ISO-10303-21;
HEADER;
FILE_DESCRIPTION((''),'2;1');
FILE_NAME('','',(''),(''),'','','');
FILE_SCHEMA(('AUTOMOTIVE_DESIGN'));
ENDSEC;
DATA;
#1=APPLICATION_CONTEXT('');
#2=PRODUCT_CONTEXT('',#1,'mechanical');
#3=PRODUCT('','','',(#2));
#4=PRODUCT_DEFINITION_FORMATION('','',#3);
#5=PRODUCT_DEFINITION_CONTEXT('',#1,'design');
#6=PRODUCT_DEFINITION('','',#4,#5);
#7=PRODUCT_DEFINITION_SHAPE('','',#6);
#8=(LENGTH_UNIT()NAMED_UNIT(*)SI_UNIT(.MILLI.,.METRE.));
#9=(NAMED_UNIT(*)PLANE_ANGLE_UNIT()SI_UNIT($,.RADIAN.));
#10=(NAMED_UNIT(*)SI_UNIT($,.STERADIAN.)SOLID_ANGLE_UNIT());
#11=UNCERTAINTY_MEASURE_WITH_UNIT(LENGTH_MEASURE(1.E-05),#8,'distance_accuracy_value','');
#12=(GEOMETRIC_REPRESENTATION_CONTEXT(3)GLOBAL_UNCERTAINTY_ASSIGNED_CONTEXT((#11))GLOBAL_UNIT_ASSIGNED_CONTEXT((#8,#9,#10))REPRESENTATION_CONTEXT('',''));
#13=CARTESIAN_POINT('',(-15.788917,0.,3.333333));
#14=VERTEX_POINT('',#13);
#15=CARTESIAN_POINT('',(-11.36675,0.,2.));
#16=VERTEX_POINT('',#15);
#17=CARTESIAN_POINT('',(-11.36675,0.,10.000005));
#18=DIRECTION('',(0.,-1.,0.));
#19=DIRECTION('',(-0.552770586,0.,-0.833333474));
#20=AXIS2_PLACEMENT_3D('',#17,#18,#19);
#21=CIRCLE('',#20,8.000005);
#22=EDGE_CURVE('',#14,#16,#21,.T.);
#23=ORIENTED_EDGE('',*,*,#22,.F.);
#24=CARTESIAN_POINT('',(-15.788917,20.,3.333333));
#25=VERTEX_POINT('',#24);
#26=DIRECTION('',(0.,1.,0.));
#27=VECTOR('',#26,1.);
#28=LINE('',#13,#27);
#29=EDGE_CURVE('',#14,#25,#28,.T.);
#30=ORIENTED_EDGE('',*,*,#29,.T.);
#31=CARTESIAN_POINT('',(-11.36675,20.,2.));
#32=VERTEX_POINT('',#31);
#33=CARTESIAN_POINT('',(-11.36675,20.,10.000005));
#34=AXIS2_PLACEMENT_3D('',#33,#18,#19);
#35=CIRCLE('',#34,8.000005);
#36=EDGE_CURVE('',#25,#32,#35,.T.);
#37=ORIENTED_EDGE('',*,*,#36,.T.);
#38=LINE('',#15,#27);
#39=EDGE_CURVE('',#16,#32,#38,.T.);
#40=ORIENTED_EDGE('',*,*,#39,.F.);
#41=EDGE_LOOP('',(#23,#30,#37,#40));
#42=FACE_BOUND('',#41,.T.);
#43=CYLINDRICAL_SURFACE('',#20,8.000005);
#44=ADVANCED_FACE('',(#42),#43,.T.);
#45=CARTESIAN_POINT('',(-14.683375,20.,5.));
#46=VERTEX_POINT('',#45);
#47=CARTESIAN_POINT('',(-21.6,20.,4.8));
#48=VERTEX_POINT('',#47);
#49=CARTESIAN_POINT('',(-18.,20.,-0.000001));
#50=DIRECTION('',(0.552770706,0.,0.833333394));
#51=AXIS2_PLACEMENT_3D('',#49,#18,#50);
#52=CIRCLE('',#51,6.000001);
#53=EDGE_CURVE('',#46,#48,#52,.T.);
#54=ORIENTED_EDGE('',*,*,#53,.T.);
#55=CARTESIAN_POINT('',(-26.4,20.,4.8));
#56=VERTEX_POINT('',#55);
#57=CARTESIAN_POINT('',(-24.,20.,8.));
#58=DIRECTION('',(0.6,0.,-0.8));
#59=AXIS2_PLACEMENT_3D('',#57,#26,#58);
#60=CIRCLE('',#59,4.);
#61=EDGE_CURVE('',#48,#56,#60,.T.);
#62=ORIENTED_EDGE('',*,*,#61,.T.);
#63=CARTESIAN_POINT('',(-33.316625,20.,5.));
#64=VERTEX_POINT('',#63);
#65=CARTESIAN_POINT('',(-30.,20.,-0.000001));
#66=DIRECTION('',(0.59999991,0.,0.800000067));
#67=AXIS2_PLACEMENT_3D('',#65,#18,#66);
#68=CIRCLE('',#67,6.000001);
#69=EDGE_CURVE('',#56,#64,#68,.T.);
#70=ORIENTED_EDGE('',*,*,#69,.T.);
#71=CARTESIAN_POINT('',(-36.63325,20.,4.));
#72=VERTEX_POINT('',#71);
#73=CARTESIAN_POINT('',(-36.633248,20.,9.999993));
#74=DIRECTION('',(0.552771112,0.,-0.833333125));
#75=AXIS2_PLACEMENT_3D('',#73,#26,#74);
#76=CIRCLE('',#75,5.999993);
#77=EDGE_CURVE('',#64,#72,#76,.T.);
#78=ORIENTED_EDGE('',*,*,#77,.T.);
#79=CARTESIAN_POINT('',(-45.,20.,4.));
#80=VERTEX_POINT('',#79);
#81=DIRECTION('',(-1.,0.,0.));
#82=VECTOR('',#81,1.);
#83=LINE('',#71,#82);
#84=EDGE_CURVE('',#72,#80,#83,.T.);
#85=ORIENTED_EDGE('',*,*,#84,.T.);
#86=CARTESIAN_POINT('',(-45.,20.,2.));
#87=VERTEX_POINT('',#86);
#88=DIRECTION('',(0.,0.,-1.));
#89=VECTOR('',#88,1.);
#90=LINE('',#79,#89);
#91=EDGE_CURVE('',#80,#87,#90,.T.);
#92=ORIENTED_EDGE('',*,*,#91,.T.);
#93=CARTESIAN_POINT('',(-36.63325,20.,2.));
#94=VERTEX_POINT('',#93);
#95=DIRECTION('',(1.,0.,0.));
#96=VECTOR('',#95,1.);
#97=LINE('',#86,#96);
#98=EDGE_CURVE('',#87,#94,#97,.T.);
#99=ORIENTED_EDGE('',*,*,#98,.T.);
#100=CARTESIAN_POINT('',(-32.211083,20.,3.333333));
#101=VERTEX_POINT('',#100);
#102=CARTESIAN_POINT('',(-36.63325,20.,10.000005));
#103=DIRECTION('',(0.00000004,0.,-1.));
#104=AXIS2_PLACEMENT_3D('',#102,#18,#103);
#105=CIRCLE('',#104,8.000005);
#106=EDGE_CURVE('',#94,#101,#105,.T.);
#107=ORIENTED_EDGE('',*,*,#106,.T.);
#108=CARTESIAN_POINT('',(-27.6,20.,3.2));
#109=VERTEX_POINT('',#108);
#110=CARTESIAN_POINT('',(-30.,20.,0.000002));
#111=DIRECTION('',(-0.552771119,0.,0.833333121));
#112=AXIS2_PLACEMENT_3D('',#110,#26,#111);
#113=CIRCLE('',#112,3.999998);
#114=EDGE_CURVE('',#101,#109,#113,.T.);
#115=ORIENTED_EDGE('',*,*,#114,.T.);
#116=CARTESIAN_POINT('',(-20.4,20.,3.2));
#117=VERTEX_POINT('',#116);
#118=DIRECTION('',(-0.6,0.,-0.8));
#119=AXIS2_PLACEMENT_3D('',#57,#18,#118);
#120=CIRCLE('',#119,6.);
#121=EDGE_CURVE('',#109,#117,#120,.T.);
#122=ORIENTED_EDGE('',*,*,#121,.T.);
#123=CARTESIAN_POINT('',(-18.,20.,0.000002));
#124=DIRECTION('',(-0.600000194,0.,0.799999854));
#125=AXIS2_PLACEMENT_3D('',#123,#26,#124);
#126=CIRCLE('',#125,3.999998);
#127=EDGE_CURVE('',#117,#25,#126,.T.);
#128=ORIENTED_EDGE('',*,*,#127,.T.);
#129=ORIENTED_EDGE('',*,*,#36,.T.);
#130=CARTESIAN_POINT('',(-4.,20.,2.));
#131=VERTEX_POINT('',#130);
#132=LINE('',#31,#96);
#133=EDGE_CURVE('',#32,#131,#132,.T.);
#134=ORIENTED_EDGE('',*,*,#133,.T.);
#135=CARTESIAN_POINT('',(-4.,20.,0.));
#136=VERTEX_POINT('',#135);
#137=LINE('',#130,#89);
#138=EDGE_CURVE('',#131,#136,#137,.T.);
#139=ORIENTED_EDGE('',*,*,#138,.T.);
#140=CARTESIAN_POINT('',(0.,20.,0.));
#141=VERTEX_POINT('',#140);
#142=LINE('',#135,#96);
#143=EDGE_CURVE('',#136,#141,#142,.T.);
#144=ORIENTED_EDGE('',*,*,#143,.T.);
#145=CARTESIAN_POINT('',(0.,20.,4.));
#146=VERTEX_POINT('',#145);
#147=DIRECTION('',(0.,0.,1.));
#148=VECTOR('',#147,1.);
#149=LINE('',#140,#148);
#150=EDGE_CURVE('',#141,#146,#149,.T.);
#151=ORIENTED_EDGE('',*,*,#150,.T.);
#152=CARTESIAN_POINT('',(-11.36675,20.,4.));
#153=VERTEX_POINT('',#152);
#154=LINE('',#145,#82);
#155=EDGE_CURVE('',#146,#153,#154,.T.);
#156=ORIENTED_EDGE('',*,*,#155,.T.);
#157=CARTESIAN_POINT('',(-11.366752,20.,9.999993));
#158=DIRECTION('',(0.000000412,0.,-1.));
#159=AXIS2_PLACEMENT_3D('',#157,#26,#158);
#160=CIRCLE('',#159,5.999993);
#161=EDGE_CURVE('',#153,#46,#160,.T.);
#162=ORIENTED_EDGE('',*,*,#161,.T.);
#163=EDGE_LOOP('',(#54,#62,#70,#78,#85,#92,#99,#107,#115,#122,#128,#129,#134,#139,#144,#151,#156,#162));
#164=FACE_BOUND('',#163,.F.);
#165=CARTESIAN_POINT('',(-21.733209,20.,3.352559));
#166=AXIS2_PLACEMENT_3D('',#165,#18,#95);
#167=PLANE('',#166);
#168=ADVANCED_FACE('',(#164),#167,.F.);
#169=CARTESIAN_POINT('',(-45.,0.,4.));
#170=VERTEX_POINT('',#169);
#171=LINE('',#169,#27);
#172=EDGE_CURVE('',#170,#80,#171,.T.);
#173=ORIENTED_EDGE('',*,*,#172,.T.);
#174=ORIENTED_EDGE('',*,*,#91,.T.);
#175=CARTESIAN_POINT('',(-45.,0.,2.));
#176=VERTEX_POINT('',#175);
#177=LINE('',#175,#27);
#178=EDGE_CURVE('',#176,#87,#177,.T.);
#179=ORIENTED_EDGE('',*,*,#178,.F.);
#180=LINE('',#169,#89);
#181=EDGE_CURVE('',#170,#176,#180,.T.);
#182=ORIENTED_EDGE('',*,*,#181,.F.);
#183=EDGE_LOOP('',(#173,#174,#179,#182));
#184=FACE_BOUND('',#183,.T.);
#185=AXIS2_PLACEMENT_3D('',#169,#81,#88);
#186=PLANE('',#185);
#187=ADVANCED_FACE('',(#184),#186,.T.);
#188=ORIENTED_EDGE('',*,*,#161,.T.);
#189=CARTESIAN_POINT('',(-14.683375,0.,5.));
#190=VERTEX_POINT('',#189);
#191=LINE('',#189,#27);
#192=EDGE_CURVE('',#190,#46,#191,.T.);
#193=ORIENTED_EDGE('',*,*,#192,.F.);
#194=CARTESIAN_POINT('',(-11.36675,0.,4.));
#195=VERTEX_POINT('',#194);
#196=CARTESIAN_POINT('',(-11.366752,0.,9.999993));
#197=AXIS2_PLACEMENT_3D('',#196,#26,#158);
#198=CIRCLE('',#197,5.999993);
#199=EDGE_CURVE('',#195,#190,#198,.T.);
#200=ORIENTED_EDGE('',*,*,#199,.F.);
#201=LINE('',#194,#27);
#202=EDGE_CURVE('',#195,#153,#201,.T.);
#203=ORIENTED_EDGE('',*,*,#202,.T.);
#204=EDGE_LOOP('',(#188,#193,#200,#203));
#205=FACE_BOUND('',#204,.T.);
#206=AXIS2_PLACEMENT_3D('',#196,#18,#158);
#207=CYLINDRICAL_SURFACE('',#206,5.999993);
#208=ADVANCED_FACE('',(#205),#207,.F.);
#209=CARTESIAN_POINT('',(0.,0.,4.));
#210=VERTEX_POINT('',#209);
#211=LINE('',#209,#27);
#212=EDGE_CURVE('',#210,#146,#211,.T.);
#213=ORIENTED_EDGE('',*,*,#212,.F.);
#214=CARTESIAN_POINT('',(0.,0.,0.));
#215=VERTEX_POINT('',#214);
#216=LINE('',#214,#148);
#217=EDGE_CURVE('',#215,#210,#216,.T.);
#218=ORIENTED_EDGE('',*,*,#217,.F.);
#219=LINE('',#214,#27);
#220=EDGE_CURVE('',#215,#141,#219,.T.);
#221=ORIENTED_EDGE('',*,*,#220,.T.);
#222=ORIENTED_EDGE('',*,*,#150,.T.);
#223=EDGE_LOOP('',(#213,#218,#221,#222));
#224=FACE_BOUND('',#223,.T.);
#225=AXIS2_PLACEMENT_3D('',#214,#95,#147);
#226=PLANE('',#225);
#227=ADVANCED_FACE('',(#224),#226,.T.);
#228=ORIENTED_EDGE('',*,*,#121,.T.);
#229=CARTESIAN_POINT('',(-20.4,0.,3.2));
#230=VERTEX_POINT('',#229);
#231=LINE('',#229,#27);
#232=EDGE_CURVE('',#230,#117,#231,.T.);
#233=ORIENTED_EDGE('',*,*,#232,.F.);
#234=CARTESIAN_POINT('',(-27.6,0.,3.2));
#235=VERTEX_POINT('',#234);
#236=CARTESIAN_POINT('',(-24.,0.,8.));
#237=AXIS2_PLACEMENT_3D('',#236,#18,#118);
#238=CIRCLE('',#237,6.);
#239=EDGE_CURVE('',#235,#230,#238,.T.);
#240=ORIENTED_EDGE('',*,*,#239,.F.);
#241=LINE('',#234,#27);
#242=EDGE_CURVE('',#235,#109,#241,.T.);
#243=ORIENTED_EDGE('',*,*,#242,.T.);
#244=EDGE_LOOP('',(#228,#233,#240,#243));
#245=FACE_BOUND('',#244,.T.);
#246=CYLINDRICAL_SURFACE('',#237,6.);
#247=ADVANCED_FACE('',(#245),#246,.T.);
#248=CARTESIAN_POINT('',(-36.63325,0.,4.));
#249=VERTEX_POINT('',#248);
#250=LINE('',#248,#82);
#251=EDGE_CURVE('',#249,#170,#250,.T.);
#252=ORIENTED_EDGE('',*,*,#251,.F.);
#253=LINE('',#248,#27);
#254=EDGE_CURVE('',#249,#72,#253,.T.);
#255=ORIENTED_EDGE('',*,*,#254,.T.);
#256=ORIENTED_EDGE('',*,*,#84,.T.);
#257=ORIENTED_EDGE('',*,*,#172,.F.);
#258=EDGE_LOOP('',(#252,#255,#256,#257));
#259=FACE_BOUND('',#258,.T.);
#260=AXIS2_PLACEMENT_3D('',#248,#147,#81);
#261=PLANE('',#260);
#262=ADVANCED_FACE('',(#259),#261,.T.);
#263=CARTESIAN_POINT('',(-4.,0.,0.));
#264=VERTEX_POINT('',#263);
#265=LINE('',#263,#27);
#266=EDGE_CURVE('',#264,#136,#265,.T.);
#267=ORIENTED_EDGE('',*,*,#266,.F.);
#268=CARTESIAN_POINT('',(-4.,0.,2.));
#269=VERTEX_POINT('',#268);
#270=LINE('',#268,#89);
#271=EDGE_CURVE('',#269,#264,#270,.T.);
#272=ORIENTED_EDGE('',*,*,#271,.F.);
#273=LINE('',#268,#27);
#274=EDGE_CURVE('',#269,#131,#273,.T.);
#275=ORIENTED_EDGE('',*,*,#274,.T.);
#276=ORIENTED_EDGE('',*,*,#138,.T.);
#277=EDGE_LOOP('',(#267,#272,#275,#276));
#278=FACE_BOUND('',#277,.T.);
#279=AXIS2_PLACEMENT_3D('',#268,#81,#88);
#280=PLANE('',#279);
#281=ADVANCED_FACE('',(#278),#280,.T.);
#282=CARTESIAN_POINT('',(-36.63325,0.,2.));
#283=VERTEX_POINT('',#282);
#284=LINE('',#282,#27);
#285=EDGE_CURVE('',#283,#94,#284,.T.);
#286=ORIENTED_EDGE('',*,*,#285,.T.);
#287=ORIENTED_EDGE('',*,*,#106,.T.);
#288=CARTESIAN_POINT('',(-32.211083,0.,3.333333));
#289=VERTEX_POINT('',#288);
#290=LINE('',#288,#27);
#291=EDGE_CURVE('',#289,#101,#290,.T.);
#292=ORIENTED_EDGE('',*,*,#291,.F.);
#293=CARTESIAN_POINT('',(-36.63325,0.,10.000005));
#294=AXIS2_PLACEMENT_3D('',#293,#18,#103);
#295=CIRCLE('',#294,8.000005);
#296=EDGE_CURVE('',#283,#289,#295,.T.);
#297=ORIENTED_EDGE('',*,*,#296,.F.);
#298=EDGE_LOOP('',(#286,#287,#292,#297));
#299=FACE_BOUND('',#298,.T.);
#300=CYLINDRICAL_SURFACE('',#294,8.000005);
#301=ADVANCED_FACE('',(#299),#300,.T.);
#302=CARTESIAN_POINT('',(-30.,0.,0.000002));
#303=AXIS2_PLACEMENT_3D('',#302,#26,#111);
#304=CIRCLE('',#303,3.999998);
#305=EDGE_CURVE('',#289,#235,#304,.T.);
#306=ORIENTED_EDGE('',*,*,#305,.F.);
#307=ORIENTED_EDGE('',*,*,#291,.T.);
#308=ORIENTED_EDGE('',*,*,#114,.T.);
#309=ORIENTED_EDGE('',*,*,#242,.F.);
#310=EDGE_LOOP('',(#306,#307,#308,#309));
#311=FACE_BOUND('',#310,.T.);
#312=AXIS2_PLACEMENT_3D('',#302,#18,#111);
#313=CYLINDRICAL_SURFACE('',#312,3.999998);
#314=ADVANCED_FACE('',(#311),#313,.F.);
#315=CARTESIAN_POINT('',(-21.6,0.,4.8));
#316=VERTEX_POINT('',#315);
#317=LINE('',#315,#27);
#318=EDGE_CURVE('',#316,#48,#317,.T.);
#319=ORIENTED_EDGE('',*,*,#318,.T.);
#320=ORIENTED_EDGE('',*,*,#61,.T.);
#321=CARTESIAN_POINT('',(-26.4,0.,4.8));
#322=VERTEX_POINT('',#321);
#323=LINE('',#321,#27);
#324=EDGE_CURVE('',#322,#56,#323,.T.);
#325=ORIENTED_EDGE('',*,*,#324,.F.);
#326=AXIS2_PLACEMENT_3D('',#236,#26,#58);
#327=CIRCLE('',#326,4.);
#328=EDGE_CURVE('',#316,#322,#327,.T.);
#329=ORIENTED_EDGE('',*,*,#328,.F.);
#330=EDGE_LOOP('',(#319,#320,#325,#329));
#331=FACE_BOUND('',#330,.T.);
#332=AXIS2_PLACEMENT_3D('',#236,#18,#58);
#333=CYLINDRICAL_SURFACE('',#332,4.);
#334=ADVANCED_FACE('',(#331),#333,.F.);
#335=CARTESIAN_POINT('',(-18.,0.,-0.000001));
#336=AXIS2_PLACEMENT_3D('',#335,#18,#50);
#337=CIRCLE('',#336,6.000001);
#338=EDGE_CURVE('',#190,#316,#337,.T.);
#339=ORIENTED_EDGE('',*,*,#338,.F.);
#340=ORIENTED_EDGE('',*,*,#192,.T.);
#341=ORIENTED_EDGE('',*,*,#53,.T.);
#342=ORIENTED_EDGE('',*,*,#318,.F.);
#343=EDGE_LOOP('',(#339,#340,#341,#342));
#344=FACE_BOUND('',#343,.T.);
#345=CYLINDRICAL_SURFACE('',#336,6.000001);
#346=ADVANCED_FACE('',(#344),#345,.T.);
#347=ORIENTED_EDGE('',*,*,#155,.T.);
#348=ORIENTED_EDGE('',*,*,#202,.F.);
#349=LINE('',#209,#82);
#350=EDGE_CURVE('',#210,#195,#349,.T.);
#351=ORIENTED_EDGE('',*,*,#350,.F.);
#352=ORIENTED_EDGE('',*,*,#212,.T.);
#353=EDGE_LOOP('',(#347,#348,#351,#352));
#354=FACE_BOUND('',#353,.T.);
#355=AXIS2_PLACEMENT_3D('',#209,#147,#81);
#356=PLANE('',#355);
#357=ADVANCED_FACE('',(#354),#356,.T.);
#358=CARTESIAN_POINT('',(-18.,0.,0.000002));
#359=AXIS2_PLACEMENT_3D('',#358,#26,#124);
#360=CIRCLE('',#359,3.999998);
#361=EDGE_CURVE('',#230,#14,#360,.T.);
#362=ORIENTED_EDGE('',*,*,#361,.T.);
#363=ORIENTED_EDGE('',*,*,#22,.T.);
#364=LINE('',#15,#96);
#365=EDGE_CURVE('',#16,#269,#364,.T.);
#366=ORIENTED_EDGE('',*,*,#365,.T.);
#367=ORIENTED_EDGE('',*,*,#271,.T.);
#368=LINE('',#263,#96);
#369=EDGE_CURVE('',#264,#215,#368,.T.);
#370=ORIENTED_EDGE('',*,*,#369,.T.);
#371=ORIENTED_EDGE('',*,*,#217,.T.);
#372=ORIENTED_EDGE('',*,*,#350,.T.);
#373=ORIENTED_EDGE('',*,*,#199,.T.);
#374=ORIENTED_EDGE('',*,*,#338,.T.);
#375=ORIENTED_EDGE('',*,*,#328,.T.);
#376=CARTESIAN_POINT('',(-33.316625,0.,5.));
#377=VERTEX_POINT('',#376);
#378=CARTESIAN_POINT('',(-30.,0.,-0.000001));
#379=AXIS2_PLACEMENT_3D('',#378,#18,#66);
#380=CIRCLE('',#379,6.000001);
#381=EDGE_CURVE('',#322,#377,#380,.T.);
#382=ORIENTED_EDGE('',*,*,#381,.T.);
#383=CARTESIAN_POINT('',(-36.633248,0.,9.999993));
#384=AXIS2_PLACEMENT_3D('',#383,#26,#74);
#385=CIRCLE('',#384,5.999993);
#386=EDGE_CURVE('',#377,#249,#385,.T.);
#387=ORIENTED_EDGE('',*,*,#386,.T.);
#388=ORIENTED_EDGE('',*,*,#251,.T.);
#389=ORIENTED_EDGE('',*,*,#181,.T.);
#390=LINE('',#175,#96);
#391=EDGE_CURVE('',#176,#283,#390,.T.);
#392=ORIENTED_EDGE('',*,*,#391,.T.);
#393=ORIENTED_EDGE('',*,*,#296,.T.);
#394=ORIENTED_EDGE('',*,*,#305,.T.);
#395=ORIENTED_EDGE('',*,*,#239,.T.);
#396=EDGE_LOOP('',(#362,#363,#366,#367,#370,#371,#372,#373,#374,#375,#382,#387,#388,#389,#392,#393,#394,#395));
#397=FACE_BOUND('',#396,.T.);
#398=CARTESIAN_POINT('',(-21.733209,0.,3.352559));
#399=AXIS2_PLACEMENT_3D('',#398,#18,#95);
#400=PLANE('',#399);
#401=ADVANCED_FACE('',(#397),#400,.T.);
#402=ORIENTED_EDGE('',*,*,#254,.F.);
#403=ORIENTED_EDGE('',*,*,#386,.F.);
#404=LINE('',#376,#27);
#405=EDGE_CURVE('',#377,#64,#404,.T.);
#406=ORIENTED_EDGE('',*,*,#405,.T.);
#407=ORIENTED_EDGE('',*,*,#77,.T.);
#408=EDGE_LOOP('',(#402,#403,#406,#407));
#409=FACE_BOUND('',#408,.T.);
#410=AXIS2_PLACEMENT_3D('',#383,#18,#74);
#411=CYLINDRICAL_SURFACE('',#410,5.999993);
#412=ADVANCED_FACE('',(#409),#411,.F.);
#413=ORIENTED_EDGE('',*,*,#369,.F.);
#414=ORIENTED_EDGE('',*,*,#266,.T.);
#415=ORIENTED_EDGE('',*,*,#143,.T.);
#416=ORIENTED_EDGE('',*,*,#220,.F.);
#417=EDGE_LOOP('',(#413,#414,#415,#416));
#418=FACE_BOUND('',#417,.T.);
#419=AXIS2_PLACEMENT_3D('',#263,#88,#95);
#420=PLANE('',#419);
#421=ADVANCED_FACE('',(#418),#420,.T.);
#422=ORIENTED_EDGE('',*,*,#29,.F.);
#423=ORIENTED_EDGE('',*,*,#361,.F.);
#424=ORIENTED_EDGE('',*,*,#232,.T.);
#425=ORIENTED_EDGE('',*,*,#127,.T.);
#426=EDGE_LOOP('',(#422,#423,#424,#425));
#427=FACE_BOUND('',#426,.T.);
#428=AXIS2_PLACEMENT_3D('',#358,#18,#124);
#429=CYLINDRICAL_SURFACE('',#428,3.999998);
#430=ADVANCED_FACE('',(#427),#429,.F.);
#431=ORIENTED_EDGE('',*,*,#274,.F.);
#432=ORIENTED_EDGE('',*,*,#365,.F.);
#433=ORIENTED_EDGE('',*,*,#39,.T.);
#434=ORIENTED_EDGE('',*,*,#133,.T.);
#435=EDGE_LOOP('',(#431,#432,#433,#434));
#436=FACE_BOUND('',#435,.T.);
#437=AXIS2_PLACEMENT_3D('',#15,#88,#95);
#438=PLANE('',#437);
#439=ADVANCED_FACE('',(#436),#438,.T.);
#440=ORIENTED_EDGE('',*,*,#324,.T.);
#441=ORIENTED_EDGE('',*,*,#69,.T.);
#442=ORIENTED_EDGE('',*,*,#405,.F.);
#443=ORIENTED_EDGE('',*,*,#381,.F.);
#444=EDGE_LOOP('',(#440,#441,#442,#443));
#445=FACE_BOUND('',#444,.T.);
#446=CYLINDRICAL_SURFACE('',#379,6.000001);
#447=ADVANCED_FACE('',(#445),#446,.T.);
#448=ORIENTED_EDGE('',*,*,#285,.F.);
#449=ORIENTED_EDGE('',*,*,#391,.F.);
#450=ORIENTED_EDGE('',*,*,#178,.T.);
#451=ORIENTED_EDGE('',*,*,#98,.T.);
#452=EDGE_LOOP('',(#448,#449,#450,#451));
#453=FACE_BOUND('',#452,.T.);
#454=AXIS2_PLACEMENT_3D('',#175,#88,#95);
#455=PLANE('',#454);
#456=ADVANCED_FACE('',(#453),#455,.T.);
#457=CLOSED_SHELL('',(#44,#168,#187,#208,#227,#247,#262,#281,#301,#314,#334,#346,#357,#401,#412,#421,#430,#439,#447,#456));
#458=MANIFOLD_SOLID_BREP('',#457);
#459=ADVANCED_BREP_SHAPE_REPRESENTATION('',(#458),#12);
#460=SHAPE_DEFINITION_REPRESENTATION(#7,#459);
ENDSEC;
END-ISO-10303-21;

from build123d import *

# Parameters (mm, degrees)
F1_DEPTH = 20


with BuildPart() as f1:
    # F0 (on Front) → F1 (new body)
    with BuildSketch(Plane.XZ):
        with BuildLine():
            ThreePointArc((-21.6, 4.8), (-24, 4), (-26.4, 4.8))
            ThreePointArc((-26.4, 4.8), (-29.826577, 5.997493), (-33.316625, 5))
            ThreePointArc((-33.316625, 5), (-34.901199, 4.255437), (-36.63325, 4))
            Line((-36.63325, 4), (-45, 4))
            Line((-45, 4), (-45, 2))
            Line((-45, 2), (-36.63325, 2))
            ThreePointArc((-36.63325, 2), (-34.323849, 2.340583), (-32.211083, 3.333333))
            ThreePointArc((-32.211083, 3.333333), (-29.884385, 3.998329), (-27.6, 3.2))
            ThreePointArc((-27.6, 3.2), (-24, 2), (-20.4, 3.2))
            ThreePointArc((-20.4, 3.2), (-18.115615, 3.998329), (-15.788917, 3.333333))
            ThreePointArc((-15.788917, 3.333333), (-13.676151, 2.340583), (-11.36675, 2))
            Line((-11.36675, 2), (-4, 2))
            Line((-4, 2), (-4, 0))
            Line((-4, 0), (0, 0))
            Line((0, 0), (0, 4))
            Line((0, 4), (-11.36675, 4))
            ThreePointArc((-11.36675, 4), (-13.098801, 4.255437), (-14.683375, 5))
            ThreePointArc((-14.683375, 5), (-18.173423, 5.997493), (-21.6, 4.8))
        make_face()
    extrude(amount=-F1_DEPTH)


solid = f1.part
